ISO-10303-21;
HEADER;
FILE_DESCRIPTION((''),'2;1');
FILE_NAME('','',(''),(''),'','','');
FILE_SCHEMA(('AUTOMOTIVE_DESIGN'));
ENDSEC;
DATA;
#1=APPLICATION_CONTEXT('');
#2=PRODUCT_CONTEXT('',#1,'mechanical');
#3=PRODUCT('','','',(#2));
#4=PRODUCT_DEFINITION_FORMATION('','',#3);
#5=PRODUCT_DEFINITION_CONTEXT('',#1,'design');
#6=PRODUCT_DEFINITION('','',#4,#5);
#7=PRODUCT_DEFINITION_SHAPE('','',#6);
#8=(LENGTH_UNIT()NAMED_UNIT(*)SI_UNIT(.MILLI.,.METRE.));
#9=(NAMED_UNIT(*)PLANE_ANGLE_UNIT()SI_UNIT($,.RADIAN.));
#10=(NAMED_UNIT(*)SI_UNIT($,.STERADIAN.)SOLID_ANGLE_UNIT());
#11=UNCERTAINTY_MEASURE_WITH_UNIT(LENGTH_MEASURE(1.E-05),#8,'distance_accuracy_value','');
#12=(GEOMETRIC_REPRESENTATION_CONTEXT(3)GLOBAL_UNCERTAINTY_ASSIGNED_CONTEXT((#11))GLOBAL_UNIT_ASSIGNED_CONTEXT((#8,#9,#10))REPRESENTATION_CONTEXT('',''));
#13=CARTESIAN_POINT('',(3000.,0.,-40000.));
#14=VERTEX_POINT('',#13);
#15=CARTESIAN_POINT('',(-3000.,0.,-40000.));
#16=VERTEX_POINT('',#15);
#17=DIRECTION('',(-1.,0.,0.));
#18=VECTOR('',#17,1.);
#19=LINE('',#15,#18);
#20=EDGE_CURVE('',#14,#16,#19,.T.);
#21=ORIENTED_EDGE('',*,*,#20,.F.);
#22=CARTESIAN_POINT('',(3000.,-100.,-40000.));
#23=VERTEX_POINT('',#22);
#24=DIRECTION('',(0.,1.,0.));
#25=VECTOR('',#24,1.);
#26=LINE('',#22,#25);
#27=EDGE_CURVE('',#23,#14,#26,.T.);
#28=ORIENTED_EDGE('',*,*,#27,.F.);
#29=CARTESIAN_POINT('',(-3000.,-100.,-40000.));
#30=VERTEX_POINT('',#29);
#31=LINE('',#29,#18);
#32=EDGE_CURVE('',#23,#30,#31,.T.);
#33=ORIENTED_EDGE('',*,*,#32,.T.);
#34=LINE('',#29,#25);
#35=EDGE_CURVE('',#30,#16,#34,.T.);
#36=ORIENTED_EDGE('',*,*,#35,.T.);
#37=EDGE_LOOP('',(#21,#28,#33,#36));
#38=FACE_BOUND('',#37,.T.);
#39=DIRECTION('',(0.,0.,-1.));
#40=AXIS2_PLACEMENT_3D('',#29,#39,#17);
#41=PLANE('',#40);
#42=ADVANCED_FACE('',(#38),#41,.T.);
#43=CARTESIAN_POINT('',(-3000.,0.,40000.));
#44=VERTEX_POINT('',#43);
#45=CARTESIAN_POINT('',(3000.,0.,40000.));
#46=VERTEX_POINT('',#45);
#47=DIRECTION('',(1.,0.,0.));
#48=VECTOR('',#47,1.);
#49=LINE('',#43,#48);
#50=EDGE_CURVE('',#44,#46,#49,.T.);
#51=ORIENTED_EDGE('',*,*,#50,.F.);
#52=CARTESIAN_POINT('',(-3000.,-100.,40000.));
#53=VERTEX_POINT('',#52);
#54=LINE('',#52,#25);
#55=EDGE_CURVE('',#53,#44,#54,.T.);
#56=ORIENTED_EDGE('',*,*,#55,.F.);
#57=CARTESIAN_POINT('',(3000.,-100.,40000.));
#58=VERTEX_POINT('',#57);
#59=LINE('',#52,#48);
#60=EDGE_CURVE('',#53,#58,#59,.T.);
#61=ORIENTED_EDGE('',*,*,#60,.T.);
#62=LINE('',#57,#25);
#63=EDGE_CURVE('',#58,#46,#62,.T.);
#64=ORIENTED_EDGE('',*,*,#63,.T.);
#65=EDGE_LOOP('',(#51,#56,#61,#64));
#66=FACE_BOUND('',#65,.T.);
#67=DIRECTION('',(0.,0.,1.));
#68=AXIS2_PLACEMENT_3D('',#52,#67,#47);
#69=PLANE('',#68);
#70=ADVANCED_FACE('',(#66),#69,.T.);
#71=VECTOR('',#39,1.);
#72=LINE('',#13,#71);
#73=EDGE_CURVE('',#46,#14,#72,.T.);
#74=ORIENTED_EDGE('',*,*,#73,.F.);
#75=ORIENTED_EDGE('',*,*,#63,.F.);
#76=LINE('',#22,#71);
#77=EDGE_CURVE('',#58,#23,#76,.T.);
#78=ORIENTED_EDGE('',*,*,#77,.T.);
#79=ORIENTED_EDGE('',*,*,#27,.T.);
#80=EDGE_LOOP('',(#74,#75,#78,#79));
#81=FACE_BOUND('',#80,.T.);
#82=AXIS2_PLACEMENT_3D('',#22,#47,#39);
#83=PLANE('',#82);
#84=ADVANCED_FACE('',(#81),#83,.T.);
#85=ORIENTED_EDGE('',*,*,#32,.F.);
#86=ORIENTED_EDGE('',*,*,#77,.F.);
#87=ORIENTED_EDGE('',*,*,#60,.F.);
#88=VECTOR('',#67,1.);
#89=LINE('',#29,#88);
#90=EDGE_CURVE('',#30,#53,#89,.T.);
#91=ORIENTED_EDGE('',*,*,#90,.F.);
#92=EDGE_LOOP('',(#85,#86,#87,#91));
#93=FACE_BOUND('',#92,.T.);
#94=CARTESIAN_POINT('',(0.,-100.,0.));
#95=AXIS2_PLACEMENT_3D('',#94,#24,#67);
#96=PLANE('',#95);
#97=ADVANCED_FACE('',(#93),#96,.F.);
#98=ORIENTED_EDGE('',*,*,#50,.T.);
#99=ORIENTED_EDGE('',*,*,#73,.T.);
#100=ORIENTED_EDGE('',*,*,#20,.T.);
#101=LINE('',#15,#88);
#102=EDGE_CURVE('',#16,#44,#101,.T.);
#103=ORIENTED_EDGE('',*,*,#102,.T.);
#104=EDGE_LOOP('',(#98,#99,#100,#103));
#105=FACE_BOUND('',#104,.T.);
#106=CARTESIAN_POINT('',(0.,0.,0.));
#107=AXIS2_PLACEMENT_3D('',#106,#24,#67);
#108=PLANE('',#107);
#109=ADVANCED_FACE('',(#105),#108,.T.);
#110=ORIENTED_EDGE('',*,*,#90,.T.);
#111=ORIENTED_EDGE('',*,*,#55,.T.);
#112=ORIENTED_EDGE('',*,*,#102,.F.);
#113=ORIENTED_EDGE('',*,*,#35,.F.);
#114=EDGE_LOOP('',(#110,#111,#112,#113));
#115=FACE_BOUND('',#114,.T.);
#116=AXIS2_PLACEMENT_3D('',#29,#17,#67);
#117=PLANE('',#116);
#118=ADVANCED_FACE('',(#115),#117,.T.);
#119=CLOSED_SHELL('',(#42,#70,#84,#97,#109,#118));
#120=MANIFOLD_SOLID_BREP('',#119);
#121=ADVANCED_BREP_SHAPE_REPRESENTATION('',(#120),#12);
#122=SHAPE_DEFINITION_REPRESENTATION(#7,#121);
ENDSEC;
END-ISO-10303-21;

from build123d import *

# Parameters (mm, degrees)
SKETCH1_W           = 6000
SKETCH1_H           = 80000
BOSS_EXTRUDE1_DEPTH = 100


with BuildPart() as part:
    # Sketch1 → Boss-Extrude1 (new body)
    with BuildSketch(Plane(origin=(0, 0, 0), x_dir=(1, 0, 0), z_dir=(0, 1, 0))):
        Rectangle(SKETCH1_W, SKETCH1_H)
    extrude(amount=-BOSS_EXTRUDE1_DEPTH)


solid = part.part
